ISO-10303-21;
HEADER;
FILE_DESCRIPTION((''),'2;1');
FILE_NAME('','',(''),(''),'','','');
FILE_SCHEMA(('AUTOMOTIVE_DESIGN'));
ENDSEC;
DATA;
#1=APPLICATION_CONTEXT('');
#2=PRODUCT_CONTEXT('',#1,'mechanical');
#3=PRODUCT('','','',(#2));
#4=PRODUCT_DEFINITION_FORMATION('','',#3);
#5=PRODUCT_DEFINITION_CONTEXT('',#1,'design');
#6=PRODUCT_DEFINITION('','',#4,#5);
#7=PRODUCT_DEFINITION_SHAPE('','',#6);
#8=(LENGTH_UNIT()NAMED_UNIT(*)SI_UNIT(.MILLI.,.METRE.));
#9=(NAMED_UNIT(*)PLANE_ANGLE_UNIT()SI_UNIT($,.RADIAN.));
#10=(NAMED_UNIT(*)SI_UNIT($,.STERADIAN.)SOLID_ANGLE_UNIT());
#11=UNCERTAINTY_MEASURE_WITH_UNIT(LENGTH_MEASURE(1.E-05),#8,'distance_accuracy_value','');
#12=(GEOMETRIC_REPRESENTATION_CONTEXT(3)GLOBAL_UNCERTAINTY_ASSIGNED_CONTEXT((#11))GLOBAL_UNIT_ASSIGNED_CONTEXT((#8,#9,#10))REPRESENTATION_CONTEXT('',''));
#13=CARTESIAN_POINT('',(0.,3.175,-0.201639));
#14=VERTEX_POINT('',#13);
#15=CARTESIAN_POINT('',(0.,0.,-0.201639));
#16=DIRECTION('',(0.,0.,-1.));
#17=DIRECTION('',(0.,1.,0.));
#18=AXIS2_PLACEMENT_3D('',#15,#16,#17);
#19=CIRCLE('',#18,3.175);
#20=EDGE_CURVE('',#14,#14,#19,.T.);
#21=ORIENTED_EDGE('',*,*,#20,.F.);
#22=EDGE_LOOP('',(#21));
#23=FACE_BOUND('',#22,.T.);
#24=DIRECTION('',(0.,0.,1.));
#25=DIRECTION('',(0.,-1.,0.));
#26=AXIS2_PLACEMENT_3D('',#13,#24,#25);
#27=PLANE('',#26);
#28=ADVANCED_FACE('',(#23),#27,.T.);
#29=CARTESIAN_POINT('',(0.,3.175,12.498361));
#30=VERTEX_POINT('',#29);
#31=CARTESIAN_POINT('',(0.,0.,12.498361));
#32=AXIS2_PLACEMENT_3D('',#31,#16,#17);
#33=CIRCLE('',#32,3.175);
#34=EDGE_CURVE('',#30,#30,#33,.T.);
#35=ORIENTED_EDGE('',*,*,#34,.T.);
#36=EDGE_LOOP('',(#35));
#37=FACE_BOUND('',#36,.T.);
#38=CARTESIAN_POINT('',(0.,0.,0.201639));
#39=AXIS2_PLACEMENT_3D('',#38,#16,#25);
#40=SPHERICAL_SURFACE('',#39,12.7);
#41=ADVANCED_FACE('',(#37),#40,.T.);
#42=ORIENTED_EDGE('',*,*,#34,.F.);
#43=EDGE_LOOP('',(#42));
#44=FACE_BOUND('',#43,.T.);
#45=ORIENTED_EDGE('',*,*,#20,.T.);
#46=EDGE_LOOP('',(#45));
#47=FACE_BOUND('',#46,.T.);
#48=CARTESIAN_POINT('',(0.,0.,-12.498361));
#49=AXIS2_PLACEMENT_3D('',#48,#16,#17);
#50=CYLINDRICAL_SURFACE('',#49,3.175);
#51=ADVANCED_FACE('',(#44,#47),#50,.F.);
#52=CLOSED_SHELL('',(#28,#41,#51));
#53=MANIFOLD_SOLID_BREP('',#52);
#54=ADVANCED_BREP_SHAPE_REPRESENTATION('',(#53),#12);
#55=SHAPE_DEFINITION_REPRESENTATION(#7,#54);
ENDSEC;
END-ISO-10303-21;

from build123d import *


with BuildPart() as part:
    # Sketch2 → Revolve1 (revolve)
    with BuildSketch(Plane(origin=(0, 0, 0), x_dir=(0, 0, -1), z_dir=(1, 0, 0))):
        with BuildLine():
            Line((12.498361062, 0), (0.201638938, 0))
            Line((0.201638938, 0), (0.201638938, 3.175))
            Line((0.201638938, 3.175), (-12.498361062, 3.175))
            ThreePointArc((-12.498361062, 3.175), (1.398615577, 12.598777143), (12.498361062, 0))
        make_face()
    revolve(axis=Axis((0, 0, -12.498361062), (0, 0, 1)))


solid = part.part
